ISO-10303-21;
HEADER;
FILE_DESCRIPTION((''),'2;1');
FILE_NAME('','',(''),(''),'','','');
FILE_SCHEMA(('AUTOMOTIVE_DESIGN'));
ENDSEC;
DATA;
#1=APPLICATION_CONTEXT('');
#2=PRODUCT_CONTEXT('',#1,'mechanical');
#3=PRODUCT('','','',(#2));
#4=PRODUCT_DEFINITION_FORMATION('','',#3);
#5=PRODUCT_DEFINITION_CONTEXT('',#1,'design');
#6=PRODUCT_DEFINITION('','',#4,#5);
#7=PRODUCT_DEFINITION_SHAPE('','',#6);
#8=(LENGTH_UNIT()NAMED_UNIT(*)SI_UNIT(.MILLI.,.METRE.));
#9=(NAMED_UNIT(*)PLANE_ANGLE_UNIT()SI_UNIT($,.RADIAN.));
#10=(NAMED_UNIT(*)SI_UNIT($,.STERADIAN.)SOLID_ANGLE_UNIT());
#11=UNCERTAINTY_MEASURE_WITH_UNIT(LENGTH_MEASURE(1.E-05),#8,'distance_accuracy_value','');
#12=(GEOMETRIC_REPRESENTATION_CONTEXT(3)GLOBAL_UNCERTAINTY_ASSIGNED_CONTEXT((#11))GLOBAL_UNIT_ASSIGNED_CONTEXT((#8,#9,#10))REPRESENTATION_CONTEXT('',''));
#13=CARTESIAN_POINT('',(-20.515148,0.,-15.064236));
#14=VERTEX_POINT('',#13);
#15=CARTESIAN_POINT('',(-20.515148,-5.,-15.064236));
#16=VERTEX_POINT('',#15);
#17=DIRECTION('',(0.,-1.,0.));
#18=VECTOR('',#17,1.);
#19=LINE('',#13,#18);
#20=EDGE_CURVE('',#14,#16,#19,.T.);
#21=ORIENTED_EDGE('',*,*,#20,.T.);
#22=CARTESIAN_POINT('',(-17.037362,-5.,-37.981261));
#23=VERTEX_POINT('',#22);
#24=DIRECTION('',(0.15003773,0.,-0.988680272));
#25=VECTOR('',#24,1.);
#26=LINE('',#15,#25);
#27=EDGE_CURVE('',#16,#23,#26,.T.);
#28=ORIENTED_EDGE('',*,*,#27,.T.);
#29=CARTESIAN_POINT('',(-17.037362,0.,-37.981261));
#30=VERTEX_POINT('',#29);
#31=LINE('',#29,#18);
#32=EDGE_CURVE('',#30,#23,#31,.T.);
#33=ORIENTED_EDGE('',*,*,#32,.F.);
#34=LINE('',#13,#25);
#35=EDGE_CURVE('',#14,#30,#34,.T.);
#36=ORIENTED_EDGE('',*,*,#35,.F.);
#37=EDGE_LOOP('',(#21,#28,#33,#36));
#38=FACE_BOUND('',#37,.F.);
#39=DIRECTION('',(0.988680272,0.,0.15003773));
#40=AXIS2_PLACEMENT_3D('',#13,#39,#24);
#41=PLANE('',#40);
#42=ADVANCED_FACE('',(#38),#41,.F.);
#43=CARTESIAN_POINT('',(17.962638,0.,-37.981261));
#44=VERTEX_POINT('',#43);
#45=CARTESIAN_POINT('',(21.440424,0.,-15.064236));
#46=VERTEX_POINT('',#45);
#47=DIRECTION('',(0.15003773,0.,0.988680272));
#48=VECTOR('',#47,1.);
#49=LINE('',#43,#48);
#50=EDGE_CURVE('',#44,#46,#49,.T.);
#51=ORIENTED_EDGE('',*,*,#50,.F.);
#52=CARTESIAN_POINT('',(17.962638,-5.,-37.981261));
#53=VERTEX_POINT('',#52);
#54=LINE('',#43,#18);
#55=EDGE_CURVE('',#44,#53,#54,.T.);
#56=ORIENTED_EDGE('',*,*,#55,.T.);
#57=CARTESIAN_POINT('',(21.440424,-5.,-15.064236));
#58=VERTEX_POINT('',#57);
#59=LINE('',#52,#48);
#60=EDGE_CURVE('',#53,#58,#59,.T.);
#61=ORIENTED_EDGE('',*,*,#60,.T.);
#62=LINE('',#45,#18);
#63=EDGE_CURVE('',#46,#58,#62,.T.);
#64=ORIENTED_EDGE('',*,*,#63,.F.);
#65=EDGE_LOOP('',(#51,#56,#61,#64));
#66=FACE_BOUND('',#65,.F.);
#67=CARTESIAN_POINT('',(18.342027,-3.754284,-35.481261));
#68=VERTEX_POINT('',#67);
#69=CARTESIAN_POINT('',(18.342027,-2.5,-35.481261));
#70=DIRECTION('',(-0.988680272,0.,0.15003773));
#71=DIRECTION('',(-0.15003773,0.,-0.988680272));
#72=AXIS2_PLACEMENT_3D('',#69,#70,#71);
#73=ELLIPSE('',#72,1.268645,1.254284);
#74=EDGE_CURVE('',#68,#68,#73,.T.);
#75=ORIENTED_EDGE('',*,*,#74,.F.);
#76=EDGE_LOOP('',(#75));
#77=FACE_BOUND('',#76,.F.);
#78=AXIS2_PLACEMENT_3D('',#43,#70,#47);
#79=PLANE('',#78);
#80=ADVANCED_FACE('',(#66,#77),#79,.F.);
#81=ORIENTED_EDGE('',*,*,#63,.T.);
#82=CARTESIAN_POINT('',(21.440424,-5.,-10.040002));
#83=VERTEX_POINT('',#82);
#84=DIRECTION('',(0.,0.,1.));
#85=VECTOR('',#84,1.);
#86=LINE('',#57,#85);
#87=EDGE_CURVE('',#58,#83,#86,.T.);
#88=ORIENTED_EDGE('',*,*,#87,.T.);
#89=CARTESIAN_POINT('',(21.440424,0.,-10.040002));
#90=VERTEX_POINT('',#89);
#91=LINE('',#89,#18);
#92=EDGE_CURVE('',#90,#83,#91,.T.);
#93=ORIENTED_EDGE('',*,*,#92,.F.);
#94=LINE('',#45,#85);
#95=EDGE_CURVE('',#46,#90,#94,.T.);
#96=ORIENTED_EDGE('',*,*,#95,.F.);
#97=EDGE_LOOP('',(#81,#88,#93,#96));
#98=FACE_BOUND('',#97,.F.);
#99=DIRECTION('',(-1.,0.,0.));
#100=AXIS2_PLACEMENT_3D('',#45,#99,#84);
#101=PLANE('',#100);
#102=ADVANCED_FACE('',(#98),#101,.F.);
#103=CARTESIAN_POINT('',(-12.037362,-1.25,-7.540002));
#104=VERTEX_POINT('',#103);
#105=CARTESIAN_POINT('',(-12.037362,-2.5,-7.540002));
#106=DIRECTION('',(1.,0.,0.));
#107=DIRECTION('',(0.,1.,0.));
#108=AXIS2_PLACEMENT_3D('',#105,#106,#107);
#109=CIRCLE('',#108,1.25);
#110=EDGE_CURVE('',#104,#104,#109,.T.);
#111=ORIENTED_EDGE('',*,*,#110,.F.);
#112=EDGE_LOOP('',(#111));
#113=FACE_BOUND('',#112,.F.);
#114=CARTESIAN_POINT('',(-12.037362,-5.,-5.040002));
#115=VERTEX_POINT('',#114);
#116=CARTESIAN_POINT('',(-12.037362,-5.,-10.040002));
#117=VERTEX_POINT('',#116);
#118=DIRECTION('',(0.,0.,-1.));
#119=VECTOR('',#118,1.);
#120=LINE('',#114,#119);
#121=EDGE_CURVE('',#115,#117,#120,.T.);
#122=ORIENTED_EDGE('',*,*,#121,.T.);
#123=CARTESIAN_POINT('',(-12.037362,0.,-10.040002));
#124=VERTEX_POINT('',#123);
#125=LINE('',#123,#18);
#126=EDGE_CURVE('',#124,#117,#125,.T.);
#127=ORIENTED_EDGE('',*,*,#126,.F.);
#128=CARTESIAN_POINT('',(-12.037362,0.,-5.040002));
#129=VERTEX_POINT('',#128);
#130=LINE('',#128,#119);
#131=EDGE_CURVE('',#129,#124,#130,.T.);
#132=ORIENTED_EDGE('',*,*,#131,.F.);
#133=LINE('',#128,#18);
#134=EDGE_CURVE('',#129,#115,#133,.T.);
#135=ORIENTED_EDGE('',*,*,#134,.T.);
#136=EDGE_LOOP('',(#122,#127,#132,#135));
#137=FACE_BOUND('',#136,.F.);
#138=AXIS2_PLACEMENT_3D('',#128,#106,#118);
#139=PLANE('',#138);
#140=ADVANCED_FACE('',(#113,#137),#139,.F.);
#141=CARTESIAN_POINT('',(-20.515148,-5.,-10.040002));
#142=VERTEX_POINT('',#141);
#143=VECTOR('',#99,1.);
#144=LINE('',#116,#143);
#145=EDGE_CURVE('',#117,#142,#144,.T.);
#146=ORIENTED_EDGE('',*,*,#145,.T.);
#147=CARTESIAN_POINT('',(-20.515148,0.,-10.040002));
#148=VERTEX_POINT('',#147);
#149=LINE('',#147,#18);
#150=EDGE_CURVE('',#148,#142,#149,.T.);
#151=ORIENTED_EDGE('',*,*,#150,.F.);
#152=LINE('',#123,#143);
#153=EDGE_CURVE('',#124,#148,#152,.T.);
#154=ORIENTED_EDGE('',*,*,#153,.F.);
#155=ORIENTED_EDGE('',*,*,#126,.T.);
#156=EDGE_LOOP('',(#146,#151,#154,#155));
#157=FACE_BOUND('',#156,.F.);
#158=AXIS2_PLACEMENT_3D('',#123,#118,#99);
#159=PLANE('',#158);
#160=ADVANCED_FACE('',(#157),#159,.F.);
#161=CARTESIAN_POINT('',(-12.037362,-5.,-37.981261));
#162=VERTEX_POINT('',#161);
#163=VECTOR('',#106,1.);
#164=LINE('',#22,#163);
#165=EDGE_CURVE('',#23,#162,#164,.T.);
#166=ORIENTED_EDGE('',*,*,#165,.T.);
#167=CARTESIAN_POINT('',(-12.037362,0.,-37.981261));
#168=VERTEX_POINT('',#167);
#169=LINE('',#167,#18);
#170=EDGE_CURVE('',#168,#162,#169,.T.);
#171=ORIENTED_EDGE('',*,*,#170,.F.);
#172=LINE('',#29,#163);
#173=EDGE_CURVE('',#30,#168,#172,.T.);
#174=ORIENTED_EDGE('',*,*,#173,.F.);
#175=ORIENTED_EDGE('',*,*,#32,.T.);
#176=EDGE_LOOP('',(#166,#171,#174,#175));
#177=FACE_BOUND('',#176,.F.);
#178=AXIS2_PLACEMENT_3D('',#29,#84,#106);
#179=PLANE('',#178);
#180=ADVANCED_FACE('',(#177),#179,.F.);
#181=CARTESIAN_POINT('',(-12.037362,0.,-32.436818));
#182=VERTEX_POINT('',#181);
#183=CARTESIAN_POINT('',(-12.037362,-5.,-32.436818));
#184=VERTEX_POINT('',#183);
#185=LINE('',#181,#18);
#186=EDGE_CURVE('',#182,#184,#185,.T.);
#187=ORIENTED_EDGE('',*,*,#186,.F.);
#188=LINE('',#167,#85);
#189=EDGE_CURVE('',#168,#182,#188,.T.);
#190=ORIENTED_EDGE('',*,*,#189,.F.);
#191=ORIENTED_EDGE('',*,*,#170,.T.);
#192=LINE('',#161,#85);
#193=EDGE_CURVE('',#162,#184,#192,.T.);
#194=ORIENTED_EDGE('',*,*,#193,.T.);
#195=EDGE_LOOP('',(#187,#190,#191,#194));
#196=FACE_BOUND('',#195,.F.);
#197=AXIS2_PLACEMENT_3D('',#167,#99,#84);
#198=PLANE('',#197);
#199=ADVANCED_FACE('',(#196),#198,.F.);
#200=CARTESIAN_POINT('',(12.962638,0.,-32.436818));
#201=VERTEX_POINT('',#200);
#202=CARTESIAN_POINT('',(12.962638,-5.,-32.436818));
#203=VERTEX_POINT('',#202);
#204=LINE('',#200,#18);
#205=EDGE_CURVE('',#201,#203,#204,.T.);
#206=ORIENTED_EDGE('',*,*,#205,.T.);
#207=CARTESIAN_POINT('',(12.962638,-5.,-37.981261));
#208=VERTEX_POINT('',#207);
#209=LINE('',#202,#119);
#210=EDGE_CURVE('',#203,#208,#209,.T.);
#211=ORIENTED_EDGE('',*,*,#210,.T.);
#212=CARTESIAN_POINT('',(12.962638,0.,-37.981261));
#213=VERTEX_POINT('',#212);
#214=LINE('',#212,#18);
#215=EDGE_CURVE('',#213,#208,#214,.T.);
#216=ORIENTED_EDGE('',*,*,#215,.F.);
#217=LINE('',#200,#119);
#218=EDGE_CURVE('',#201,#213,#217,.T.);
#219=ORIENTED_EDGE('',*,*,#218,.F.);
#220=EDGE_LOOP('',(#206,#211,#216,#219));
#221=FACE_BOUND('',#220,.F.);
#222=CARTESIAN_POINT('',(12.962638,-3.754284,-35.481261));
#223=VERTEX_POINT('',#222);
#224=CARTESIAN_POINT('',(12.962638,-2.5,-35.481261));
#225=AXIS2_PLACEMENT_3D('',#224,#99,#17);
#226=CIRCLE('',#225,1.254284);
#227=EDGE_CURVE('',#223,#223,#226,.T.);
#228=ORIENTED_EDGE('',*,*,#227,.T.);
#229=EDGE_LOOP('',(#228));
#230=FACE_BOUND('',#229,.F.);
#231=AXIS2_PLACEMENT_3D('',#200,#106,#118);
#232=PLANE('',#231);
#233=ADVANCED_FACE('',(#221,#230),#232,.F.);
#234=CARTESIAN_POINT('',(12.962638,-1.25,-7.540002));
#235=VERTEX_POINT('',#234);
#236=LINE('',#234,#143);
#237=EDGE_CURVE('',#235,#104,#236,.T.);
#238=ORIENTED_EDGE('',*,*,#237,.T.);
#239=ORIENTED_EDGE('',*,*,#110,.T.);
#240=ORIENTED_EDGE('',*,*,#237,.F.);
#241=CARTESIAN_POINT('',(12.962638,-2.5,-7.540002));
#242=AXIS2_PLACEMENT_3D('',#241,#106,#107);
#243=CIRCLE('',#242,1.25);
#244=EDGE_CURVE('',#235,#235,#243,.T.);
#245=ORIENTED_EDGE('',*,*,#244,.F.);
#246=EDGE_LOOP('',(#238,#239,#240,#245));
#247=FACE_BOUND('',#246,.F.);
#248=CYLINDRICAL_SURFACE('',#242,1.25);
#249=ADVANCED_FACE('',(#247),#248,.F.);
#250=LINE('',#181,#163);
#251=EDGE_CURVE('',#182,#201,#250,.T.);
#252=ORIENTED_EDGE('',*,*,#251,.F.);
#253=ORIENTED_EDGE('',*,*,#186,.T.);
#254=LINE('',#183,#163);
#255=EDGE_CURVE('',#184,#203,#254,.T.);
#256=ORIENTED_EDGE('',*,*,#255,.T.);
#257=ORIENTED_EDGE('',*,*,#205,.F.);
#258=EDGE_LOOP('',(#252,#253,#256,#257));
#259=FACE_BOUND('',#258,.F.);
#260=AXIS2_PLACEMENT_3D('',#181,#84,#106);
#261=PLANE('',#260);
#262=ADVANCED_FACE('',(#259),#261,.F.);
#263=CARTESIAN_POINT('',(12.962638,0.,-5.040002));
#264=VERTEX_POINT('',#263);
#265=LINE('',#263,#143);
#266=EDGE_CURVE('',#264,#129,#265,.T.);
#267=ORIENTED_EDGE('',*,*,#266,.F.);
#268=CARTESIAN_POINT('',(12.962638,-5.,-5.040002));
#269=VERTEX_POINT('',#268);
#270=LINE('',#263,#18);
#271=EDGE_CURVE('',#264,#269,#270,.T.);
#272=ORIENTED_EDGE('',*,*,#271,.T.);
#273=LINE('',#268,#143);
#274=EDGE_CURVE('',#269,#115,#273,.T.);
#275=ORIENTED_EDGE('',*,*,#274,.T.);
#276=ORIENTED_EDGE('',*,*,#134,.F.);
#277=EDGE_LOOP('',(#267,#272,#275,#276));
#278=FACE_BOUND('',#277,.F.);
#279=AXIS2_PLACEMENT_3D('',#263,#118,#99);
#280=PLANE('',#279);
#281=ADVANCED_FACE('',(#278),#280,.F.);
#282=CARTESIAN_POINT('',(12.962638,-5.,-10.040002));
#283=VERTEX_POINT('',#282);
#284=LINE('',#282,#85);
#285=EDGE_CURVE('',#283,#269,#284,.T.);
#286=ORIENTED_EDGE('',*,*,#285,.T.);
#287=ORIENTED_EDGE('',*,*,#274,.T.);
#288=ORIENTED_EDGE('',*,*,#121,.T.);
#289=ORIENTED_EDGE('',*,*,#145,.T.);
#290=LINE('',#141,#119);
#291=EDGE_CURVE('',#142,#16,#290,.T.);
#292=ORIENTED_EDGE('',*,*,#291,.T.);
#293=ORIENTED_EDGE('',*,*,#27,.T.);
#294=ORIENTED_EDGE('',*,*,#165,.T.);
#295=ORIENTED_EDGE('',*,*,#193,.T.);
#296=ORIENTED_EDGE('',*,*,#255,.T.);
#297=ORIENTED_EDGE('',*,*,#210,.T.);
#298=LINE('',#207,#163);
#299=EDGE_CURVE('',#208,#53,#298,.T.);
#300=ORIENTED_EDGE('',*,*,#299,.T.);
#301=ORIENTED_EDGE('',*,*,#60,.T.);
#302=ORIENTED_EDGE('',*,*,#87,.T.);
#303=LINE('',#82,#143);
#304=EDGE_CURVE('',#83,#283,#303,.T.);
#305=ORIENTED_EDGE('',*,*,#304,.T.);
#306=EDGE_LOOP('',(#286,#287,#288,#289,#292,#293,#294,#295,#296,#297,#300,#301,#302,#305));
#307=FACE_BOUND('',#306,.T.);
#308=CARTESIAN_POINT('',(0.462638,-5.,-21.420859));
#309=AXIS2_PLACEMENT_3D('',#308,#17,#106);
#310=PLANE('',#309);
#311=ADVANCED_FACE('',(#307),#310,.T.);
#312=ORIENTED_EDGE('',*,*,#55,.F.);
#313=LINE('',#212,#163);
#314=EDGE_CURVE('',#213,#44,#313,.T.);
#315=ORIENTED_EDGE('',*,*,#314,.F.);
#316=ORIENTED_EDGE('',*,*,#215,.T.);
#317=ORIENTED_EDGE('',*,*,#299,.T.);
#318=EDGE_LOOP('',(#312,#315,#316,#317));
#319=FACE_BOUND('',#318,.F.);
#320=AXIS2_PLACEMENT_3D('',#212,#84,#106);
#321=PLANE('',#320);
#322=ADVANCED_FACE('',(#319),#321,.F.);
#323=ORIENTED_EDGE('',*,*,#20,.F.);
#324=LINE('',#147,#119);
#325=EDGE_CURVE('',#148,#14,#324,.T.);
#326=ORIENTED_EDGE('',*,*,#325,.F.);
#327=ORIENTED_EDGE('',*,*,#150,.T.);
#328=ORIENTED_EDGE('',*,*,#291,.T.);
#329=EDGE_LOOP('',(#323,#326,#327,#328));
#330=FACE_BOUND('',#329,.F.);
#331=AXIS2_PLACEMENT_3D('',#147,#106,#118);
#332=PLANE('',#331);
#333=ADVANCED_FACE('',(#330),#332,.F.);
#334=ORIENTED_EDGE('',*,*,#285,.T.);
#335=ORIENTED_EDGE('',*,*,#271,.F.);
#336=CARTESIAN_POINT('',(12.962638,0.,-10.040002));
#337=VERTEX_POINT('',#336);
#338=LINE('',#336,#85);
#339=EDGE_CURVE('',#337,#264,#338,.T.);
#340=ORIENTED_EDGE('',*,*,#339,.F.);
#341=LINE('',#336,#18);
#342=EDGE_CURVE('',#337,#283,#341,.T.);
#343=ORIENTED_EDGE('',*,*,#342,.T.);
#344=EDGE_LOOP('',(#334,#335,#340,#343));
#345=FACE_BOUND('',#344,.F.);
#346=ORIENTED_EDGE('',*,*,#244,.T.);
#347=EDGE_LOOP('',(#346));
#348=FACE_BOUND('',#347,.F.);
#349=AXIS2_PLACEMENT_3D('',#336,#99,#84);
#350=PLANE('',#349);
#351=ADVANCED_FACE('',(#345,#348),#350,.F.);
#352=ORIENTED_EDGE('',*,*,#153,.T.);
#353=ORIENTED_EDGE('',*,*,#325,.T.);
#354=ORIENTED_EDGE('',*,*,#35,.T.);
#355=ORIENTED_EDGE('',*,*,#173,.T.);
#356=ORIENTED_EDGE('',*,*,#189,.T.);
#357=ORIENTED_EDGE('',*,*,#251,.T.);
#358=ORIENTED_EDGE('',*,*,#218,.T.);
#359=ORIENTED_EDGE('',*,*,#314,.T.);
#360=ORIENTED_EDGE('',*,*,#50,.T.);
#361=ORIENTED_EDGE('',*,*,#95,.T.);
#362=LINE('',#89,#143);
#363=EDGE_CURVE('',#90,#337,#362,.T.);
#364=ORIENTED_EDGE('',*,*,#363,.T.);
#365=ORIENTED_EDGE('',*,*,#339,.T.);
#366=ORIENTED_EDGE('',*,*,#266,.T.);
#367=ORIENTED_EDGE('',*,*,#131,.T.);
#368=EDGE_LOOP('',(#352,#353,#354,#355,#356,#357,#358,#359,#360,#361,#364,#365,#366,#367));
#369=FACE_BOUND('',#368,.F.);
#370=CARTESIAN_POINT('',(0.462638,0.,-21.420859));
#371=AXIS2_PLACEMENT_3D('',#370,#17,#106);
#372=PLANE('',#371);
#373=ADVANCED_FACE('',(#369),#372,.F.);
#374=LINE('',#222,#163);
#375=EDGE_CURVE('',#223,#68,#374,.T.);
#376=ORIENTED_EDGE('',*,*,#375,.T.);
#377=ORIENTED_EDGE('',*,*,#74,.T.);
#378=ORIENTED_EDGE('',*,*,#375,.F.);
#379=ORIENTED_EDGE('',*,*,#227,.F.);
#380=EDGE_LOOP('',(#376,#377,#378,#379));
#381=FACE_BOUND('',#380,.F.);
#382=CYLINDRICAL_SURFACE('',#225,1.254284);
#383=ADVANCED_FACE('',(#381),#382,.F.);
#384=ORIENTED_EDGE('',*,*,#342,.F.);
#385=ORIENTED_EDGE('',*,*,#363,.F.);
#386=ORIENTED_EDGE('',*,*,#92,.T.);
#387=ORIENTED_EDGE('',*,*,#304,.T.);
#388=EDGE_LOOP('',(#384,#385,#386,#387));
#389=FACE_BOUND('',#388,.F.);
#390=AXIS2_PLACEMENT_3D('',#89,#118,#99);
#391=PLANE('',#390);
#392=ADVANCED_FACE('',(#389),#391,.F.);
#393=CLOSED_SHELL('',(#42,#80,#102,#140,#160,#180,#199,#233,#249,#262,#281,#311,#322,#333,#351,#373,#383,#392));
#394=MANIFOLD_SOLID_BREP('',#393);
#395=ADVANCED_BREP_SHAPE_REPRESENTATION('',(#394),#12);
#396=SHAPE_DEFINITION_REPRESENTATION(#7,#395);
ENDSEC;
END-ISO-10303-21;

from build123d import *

# Parameters (mm, degrees)
F1_DEPTH = 5
F2_R     = 1.254284
F3_DEPTH = 25
F4_R     = 1.25
F5_DEPTH = 25


with BuildPart() as f1:
    # F0 (on Front) → F1 (new body)
    with BuildSketch(Plane.XZ):
        Polygon((-12.037362, -37.981261), (-12.037362, -32.436818), (12.962638, -32.436818), (12.962638, -37.981261), (17.962638, -37.981261), (21.440424, -15.064236), (21.440424, -10.040002), (12.962638, -10.040002), (12.962638, -5.040002), (-12.037362, -5.040002), (-12.037362, -10.040002), (-20.515148, -10.040002), (-20.515148, -15.064236), (-17.037362, -37.981261), align=None)
    extrude(amount=F1_DEPTH)

    # F2 (on face) → F3 (cut)
    with BuildSketch(Plane(origin=(12.962638, 0, 0), x_dir=(0, -1, 0), z_dir=(-1, 0, 0))):
        with Locations((2.5, -35.481261)):
            Circle(F2_R)
    extrude(amount=-F3_DEPTH, mode=Mode.SUBTRACT)

    # F4 (on face) → F5 (cut)
    with BuildSketch(Plane.YZ.offset(12.962638)):
        with Locations((-2.5, -7.540002)):
            Circle(F4_R)
    extrude(amount=-F5_DEPTH, mode=Mode.SUBTRACT)


solid = f1.part
